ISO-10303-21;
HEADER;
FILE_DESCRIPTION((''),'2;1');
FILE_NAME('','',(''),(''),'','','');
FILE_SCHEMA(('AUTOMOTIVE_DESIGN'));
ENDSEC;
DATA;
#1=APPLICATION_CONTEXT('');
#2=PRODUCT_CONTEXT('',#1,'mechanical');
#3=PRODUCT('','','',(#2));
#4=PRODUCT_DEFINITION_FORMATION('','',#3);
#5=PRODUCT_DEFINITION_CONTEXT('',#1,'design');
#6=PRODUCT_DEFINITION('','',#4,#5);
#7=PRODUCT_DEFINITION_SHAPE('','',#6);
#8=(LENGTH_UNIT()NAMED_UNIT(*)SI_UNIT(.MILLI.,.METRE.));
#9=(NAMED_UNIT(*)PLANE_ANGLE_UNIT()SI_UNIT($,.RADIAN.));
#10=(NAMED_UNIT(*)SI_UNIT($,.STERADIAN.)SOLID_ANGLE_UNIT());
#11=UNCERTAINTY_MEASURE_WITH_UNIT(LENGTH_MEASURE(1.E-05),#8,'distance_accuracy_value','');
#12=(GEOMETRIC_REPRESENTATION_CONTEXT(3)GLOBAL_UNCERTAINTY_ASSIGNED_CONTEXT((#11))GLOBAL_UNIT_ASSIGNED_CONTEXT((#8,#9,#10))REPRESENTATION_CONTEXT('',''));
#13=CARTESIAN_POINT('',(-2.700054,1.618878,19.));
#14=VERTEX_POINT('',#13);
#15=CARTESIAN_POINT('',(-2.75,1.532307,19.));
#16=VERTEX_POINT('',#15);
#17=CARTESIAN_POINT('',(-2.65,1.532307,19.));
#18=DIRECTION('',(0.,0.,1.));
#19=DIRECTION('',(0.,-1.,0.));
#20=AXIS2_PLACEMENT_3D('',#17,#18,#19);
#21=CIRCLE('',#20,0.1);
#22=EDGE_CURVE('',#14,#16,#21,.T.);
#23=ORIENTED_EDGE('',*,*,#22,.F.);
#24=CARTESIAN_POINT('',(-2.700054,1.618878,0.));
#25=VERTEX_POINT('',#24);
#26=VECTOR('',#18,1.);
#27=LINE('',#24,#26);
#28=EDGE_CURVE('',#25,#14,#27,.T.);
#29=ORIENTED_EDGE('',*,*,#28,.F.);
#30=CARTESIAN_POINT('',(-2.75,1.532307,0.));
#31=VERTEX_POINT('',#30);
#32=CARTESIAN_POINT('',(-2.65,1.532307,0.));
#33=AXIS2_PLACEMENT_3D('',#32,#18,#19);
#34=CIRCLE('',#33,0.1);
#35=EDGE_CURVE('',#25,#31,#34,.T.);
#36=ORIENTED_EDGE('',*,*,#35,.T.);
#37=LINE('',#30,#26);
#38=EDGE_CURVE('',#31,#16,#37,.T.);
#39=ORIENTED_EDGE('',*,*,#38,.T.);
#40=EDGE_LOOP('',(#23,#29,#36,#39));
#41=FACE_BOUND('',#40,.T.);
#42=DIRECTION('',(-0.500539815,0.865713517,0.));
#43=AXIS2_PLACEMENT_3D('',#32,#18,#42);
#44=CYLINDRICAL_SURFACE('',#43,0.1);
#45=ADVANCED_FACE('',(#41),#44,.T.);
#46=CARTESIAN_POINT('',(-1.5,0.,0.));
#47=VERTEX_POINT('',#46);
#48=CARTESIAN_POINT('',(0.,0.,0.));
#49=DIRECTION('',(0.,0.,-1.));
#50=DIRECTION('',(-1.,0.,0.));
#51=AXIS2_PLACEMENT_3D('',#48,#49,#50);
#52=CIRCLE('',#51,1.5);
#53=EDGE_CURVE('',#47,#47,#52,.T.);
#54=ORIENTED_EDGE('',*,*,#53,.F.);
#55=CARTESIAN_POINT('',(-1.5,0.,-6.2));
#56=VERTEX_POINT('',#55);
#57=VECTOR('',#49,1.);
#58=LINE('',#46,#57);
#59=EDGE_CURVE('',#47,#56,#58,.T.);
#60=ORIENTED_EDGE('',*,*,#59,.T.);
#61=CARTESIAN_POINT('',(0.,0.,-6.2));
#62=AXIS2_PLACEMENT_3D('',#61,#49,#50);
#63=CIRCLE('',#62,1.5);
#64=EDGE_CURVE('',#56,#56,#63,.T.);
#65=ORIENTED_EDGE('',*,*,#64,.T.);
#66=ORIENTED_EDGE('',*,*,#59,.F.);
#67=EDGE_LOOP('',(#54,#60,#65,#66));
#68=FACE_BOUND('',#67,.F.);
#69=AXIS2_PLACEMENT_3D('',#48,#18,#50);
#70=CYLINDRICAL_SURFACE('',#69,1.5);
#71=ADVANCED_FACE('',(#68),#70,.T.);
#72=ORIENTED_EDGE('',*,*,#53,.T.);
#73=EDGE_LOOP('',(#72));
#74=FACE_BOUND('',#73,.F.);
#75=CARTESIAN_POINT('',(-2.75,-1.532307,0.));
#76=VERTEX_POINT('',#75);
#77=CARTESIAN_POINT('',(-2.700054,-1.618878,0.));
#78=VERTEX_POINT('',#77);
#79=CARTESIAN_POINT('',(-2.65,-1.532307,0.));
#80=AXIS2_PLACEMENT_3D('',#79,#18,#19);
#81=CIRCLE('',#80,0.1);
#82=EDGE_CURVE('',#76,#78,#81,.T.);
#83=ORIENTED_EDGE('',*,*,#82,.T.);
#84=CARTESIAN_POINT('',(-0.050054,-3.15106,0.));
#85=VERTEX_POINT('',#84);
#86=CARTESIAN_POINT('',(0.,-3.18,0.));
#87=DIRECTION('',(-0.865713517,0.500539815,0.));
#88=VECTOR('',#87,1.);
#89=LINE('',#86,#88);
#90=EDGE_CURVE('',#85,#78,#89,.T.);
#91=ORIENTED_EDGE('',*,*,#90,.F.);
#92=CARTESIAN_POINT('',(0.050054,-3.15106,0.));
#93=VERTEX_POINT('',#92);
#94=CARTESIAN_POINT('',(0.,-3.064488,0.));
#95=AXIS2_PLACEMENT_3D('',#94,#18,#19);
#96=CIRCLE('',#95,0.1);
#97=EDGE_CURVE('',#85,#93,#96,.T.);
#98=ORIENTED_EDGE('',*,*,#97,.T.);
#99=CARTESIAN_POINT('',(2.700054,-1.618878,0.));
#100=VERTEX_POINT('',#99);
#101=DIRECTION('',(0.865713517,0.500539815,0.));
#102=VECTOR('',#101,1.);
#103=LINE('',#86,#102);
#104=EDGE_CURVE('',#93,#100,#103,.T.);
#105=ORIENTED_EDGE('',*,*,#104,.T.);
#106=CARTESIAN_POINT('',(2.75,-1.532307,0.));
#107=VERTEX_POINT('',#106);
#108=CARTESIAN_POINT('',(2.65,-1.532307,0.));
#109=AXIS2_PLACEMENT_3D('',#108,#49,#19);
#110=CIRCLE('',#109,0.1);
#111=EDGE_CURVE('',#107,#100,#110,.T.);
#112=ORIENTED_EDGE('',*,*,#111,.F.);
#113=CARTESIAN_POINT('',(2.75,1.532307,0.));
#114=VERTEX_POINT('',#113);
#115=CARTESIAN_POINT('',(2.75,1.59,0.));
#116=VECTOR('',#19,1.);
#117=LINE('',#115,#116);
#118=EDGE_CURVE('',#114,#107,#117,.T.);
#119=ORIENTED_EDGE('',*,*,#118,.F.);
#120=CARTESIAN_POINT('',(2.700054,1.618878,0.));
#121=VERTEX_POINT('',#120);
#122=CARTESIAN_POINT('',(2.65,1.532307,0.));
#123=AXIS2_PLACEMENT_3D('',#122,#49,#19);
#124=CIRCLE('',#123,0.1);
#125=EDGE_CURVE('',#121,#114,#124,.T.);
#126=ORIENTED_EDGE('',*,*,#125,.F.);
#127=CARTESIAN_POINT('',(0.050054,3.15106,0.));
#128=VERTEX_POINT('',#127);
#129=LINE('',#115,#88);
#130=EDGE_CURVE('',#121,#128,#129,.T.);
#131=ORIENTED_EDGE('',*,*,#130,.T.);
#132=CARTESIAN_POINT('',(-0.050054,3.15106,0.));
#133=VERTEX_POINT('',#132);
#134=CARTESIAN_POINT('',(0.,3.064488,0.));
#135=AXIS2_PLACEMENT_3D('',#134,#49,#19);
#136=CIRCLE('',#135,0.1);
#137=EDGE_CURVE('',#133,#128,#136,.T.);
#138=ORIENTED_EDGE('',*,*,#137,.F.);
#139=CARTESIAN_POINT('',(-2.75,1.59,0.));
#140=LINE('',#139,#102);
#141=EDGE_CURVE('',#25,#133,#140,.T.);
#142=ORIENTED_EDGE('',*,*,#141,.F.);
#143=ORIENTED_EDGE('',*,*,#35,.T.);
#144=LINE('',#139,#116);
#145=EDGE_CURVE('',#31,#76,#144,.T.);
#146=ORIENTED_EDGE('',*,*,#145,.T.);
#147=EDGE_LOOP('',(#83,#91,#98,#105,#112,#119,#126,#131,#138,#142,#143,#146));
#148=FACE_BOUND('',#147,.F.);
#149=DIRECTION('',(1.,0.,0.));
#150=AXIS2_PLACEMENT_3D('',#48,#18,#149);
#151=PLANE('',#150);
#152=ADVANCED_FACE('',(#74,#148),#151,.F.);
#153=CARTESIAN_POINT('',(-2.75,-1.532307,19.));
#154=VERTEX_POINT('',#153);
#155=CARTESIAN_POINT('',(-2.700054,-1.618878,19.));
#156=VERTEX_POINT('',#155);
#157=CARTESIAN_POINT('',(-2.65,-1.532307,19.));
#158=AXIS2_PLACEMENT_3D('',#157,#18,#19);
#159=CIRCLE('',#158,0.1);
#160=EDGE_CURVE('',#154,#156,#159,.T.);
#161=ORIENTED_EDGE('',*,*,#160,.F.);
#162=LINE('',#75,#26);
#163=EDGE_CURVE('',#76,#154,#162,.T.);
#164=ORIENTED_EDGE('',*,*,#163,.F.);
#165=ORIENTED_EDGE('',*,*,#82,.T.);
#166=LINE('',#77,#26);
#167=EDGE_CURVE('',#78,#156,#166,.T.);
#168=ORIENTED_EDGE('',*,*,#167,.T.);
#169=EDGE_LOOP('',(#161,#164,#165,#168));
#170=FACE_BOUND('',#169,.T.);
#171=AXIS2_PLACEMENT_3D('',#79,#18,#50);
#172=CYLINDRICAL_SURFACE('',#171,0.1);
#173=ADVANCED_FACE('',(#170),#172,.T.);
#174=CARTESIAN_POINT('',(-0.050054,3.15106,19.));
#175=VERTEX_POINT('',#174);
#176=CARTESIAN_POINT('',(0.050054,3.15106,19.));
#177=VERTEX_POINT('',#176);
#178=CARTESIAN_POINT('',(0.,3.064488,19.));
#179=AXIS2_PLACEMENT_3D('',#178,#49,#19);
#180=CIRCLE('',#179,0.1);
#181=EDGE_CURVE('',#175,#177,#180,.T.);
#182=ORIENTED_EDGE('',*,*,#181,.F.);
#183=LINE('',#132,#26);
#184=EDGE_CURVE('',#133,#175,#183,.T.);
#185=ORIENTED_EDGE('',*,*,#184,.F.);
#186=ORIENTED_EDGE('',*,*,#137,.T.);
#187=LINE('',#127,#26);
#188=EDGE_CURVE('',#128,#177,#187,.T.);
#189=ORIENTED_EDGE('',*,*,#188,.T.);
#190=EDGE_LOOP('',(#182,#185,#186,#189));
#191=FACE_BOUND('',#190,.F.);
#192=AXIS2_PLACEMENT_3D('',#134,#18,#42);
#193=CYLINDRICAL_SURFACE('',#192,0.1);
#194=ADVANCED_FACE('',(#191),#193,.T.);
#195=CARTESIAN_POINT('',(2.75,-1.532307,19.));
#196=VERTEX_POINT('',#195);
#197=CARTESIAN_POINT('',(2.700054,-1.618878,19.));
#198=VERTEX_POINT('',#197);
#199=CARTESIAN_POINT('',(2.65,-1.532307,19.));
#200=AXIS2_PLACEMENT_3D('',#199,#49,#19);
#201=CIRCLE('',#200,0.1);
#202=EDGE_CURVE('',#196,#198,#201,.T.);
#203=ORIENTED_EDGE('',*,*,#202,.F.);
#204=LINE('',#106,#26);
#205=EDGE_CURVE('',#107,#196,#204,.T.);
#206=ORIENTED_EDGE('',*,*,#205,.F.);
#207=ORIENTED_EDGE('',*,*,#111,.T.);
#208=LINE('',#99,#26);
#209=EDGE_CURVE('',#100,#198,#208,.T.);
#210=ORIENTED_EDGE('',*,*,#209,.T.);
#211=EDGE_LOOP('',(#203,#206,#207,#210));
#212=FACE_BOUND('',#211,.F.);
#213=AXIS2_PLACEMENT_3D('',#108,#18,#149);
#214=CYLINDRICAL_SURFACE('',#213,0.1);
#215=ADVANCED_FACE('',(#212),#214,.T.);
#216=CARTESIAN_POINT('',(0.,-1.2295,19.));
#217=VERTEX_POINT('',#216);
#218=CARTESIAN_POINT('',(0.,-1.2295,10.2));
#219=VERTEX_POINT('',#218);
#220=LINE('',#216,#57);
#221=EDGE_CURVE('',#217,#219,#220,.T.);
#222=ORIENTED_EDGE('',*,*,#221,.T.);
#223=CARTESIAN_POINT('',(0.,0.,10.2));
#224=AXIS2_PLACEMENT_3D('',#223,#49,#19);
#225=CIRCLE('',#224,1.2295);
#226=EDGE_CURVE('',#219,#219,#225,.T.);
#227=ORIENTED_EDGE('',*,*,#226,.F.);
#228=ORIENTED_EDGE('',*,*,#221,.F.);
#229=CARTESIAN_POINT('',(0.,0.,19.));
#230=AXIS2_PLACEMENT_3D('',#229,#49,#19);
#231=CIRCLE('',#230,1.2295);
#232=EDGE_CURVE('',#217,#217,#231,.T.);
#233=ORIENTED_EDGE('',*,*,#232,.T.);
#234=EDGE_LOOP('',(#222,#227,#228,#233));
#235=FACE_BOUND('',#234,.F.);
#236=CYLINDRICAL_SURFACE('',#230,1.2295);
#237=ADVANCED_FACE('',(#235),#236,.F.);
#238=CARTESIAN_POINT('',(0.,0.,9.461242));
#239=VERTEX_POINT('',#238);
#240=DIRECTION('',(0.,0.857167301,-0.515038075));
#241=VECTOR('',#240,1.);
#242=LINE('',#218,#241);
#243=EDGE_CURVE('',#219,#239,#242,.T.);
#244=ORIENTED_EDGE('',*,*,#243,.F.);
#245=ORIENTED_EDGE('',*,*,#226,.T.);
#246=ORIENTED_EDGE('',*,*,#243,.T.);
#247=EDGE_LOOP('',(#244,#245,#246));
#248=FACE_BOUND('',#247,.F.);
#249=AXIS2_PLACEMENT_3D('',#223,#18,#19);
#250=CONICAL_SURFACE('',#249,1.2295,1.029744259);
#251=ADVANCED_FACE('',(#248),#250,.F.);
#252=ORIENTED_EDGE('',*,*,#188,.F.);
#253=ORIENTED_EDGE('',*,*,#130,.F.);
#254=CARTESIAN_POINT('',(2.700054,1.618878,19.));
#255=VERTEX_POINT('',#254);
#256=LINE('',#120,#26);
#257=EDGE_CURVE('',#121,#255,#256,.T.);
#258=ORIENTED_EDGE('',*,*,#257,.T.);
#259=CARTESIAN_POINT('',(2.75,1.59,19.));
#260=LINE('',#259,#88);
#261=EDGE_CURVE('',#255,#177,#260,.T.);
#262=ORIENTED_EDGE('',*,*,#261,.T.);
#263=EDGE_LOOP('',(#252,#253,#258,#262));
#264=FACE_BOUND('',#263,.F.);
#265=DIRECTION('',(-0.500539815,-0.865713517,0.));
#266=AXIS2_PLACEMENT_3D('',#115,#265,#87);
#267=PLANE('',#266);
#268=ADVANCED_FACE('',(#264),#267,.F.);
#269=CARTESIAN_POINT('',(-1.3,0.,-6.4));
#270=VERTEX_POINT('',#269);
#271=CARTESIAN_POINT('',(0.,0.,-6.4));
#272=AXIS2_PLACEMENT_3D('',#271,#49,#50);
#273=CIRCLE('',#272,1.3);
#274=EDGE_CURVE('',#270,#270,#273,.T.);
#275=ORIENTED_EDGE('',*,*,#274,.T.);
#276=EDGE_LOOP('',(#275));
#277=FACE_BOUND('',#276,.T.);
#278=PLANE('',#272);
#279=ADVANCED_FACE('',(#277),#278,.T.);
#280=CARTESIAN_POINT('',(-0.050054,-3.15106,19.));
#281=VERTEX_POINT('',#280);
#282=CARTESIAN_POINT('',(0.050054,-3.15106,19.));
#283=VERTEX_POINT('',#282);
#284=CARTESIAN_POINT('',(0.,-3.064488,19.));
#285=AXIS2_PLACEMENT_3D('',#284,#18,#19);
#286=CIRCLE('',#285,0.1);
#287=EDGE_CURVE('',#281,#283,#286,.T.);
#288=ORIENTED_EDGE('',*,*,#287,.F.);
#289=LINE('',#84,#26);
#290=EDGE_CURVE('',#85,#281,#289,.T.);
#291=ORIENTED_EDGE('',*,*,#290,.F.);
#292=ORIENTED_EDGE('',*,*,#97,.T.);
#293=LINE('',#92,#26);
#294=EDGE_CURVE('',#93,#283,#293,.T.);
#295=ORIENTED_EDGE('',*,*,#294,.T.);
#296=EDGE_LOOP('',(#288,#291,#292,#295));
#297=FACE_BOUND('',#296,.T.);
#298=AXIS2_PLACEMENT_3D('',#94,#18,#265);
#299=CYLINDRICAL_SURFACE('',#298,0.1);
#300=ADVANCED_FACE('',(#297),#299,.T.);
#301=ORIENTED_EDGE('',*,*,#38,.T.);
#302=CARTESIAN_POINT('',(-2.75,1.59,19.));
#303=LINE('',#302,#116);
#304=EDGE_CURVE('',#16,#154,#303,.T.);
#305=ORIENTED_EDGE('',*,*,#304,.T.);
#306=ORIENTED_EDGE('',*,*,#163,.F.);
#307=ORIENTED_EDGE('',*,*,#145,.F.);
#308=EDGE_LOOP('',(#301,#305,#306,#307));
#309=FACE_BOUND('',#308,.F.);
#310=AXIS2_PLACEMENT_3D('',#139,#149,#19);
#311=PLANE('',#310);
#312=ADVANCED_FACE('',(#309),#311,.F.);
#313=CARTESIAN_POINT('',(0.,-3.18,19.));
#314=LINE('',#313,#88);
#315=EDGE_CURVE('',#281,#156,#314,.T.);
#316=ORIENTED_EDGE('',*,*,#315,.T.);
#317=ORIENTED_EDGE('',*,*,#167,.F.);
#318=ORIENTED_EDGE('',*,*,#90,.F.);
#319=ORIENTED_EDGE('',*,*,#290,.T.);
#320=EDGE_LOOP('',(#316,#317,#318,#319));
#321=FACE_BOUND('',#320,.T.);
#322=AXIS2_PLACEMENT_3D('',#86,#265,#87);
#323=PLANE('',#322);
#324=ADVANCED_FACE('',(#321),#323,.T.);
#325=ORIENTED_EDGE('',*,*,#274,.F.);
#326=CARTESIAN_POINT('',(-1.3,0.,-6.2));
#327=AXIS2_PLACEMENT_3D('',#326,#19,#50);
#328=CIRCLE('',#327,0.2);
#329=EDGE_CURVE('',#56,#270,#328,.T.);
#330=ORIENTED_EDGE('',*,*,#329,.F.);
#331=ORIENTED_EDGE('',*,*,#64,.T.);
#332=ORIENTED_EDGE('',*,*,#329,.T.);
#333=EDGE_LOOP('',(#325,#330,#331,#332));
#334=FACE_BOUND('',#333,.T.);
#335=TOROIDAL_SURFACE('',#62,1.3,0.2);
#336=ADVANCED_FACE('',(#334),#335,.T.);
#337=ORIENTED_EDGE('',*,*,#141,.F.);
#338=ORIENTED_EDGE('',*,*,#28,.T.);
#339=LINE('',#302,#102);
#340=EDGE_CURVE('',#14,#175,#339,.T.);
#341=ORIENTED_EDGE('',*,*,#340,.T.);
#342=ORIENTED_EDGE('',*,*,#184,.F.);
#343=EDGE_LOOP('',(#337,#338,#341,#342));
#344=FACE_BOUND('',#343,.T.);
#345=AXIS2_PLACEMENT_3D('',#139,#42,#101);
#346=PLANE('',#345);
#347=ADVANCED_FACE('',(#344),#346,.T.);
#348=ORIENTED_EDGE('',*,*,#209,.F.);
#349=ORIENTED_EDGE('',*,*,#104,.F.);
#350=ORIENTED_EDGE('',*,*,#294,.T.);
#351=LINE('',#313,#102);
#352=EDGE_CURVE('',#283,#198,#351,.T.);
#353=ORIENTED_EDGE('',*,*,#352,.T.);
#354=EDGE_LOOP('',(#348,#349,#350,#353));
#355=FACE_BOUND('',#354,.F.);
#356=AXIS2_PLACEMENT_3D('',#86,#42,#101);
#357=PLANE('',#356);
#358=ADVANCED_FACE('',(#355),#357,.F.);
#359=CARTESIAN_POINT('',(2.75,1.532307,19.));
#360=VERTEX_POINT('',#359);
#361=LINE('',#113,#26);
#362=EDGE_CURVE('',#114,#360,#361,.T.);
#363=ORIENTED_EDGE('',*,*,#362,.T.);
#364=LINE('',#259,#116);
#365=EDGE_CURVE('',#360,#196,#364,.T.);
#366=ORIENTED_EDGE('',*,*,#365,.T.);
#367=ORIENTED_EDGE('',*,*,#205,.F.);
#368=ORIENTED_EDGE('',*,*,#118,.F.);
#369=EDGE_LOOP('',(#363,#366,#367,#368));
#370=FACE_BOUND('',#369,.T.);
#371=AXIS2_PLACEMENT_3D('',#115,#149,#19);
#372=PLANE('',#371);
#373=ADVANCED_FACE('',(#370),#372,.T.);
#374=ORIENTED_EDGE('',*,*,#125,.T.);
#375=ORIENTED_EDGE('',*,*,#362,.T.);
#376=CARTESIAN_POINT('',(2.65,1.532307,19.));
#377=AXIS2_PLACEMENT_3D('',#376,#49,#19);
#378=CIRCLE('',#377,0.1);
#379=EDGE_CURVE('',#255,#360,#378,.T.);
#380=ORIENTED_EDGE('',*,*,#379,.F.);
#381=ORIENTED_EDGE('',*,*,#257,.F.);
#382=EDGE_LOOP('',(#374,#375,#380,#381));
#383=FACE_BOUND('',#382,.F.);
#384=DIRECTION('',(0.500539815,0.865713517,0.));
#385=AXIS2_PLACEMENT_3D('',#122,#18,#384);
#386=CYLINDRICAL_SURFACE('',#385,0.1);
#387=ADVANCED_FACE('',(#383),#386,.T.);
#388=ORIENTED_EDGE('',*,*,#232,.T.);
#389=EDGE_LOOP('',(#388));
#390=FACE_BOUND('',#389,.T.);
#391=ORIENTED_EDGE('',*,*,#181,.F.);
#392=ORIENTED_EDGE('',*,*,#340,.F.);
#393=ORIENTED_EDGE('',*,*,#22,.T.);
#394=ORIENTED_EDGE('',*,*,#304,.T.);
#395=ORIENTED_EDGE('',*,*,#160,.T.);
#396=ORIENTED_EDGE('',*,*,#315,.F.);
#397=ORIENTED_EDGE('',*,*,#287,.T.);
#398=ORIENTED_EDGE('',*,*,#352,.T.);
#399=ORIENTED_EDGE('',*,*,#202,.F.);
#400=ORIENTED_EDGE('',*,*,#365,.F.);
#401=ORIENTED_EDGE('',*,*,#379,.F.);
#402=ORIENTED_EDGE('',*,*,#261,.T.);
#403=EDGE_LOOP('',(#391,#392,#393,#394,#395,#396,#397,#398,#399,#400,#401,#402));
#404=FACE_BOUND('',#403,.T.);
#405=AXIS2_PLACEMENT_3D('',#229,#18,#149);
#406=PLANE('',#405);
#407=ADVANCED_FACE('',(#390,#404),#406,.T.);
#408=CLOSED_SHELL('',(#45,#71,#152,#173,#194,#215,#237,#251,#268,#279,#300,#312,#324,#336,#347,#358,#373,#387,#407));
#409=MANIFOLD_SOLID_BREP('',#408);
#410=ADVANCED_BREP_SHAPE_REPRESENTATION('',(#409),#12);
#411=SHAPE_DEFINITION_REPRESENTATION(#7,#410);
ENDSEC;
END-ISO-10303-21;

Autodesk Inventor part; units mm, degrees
ref_plane "YZ Plane" through (0, 0, 0) normal (1, 0, 0) x (0, 1, 0)
ref_plane "XZ Plane" through (0, 0, 0) normal (0, 1, 0) x (-1, 0, 0)
ref_plane "XY Plane" through (0, 0, 0) normal (0, 0, 1) x (1, 0, 0)
sketch "Sketch1" plane through (0, 0, 0) normal (0, 0, 1) x (1, 0, 0)
  line L0 (-2.75, 1.59) -> (0, 3.18)
  line L1 (0, -3.18) -> (-2.75, -1.59)
  line L2 (-2.75, 1.59) -> (-2.75, -1.59)
  line L3 (2.75, 1.59) -> (0, 3.18)
  line L4 (0, -3.18) -> (2.75, -1.59)
  line L5 (2.75, 1.59) -> (2.75, -1.59)
  point P0 (0, 0)
extrude "Extrusion1" add sketch "Sketch1" along normal blind 19
sketch "Sketch2" plane through (0, 0, 19) normal (0, 0, 1) x (1, 0, 0)
  circle A0 centre (0, 0) radius 1.5
  dimension "d20" = 3
hole "Hole1" at (0, 0, 19) direction (0, 0, -1) diameter 2.459 depth 8.8 tip angle 118 thread size "M3x0.5" class "6H" standard "ISO Metric profile"
fillet "Fillet1" radius 0.1 6 edges at (0, 3.18, 9.5) (2.75, 1.59, 9.5) (-2.75, 1.59, 9.5) (2.75, -1.59, 9.5) (0, -3.18, 9.5) (-2.75, -1.59, 9.5)
sketch "Sketch4" plane through (0, 0, 0) normal (0, 0, -1) x (-1, 0, 0)
  circle A0 centre (0, 0) radius 1.5
  dimension "d29" = 3
extrude "Extrusion2" add sketch "Sketch4" along normal blind 6.4
thread "Thread1" size "M3x0.5" class "6g" standard "ANSI Metric M Profile" length 9.967
fillet "Fillet2" radius 0.2 1 edges at (1.5, 0, -6.4)
properties part number "spacer" material "Steel, Mild"
